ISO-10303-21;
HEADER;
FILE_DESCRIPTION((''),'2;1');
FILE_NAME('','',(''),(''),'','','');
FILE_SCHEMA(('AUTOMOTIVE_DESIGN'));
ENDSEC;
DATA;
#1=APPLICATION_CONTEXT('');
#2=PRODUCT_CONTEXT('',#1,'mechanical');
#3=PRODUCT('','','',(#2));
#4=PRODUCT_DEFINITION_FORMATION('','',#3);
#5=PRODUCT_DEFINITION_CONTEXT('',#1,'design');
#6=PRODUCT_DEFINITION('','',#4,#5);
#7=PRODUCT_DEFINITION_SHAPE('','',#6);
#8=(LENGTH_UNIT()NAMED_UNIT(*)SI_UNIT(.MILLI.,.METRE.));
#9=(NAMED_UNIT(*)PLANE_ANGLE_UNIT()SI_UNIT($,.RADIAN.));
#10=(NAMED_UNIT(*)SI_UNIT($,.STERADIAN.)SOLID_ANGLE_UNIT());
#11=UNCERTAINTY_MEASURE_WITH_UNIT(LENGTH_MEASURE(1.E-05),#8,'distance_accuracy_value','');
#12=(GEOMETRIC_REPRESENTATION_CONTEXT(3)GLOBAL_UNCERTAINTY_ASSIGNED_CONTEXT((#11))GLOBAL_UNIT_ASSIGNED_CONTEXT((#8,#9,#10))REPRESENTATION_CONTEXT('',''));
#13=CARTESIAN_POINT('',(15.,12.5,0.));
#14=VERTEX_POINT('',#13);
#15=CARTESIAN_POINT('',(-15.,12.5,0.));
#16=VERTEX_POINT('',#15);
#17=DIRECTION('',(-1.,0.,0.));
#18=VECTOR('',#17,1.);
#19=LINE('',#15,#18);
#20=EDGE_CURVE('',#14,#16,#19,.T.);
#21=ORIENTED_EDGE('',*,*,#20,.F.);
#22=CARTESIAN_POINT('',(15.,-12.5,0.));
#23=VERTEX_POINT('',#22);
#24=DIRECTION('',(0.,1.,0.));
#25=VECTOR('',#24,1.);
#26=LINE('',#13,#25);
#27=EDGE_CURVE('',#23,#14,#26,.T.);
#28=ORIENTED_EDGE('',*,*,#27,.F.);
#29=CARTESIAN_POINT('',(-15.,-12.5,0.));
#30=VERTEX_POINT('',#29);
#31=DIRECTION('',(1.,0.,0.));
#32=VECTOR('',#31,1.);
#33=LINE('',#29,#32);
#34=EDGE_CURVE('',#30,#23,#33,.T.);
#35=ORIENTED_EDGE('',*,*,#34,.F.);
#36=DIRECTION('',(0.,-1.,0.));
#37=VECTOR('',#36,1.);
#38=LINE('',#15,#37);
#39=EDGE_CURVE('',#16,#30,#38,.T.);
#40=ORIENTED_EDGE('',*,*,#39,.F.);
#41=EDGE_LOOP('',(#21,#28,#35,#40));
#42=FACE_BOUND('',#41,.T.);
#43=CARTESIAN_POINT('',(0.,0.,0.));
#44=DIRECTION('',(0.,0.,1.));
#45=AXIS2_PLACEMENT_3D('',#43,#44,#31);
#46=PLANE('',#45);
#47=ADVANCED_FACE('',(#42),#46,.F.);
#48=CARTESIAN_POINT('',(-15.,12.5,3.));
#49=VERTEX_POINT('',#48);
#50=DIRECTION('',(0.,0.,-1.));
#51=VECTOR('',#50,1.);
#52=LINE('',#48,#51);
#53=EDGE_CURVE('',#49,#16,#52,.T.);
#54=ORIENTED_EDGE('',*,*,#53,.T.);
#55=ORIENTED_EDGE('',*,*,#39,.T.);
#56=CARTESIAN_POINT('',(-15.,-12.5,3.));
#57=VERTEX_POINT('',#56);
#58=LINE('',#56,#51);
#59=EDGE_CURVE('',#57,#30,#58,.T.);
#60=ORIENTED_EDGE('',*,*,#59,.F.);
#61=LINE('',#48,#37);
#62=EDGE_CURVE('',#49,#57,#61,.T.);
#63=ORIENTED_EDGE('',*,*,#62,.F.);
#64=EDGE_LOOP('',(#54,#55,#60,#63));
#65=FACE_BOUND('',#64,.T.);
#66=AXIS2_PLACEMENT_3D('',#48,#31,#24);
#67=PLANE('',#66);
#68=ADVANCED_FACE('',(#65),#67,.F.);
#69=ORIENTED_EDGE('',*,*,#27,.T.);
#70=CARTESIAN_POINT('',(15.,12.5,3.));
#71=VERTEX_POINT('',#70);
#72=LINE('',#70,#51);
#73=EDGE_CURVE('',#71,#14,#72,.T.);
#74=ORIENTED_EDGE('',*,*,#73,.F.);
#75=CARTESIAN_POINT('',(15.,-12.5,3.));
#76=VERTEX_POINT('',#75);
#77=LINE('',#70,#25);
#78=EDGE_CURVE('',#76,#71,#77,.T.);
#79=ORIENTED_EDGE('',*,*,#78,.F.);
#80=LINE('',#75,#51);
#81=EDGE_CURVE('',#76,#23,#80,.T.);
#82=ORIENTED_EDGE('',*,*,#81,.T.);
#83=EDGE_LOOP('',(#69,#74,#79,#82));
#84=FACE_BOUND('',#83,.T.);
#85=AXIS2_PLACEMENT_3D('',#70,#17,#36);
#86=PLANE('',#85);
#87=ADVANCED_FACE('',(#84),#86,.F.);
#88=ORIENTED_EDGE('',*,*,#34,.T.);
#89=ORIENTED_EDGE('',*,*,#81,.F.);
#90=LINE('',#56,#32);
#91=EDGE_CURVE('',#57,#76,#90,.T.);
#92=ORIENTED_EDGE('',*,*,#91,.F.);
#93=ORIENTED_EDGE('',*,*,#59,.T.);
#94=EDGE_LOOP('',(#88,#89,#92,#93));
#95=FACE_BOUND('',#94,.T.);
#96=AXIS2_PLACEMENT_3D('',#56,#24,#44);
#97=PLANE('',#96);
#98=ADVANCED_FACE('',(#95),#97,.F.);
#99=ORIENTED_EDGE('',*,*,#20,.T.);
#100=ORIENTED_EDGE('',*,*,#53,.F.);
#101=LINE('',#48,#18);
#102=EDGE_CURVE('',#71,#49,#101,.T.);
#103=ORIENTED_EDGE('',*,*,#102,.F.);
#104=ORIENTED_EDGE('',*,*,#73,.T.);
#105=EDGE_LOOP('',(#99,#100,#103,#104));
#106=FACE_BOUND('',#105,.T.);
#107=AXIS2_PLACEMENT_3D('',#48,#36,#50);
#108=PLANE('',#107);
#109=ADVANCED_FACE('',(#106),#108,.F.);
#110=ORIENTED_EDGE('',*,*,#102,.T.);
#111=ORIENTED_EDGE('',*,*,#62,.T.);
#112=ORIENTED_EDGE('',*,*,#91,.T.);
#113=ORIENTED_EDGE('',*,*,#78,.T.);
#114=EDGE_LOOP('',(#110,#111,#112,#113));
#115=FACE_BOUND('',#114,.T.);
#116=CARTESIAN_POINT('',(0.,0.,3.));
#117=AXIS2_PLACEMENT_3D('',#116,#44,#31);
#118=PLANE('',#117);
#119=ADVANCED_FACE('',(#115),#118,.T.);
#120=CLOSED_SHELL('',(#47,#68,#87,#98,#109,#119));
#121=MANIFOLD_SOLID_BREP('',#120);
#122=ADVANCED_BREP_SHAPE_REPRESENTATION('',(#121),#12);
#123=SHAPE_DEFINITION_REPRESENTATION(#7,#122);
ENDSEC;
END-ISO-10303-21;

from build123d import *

# Parameters (mm, degrees)
SKETCH_1_W      = 30
SKETCH_1_H      = 25
EXTRUDE_1_DEPTH = 3


with BuildPart() as part:
    # 草图1 → 凸台-拉伸1 (new body)
    with BuildSketch(Plane.XY):
        Rectangle(SKETCH_1_W, SKETCH_1_H)
    extrude(amount=EXTRUDE_1_DEPTH)


solid = part.part
